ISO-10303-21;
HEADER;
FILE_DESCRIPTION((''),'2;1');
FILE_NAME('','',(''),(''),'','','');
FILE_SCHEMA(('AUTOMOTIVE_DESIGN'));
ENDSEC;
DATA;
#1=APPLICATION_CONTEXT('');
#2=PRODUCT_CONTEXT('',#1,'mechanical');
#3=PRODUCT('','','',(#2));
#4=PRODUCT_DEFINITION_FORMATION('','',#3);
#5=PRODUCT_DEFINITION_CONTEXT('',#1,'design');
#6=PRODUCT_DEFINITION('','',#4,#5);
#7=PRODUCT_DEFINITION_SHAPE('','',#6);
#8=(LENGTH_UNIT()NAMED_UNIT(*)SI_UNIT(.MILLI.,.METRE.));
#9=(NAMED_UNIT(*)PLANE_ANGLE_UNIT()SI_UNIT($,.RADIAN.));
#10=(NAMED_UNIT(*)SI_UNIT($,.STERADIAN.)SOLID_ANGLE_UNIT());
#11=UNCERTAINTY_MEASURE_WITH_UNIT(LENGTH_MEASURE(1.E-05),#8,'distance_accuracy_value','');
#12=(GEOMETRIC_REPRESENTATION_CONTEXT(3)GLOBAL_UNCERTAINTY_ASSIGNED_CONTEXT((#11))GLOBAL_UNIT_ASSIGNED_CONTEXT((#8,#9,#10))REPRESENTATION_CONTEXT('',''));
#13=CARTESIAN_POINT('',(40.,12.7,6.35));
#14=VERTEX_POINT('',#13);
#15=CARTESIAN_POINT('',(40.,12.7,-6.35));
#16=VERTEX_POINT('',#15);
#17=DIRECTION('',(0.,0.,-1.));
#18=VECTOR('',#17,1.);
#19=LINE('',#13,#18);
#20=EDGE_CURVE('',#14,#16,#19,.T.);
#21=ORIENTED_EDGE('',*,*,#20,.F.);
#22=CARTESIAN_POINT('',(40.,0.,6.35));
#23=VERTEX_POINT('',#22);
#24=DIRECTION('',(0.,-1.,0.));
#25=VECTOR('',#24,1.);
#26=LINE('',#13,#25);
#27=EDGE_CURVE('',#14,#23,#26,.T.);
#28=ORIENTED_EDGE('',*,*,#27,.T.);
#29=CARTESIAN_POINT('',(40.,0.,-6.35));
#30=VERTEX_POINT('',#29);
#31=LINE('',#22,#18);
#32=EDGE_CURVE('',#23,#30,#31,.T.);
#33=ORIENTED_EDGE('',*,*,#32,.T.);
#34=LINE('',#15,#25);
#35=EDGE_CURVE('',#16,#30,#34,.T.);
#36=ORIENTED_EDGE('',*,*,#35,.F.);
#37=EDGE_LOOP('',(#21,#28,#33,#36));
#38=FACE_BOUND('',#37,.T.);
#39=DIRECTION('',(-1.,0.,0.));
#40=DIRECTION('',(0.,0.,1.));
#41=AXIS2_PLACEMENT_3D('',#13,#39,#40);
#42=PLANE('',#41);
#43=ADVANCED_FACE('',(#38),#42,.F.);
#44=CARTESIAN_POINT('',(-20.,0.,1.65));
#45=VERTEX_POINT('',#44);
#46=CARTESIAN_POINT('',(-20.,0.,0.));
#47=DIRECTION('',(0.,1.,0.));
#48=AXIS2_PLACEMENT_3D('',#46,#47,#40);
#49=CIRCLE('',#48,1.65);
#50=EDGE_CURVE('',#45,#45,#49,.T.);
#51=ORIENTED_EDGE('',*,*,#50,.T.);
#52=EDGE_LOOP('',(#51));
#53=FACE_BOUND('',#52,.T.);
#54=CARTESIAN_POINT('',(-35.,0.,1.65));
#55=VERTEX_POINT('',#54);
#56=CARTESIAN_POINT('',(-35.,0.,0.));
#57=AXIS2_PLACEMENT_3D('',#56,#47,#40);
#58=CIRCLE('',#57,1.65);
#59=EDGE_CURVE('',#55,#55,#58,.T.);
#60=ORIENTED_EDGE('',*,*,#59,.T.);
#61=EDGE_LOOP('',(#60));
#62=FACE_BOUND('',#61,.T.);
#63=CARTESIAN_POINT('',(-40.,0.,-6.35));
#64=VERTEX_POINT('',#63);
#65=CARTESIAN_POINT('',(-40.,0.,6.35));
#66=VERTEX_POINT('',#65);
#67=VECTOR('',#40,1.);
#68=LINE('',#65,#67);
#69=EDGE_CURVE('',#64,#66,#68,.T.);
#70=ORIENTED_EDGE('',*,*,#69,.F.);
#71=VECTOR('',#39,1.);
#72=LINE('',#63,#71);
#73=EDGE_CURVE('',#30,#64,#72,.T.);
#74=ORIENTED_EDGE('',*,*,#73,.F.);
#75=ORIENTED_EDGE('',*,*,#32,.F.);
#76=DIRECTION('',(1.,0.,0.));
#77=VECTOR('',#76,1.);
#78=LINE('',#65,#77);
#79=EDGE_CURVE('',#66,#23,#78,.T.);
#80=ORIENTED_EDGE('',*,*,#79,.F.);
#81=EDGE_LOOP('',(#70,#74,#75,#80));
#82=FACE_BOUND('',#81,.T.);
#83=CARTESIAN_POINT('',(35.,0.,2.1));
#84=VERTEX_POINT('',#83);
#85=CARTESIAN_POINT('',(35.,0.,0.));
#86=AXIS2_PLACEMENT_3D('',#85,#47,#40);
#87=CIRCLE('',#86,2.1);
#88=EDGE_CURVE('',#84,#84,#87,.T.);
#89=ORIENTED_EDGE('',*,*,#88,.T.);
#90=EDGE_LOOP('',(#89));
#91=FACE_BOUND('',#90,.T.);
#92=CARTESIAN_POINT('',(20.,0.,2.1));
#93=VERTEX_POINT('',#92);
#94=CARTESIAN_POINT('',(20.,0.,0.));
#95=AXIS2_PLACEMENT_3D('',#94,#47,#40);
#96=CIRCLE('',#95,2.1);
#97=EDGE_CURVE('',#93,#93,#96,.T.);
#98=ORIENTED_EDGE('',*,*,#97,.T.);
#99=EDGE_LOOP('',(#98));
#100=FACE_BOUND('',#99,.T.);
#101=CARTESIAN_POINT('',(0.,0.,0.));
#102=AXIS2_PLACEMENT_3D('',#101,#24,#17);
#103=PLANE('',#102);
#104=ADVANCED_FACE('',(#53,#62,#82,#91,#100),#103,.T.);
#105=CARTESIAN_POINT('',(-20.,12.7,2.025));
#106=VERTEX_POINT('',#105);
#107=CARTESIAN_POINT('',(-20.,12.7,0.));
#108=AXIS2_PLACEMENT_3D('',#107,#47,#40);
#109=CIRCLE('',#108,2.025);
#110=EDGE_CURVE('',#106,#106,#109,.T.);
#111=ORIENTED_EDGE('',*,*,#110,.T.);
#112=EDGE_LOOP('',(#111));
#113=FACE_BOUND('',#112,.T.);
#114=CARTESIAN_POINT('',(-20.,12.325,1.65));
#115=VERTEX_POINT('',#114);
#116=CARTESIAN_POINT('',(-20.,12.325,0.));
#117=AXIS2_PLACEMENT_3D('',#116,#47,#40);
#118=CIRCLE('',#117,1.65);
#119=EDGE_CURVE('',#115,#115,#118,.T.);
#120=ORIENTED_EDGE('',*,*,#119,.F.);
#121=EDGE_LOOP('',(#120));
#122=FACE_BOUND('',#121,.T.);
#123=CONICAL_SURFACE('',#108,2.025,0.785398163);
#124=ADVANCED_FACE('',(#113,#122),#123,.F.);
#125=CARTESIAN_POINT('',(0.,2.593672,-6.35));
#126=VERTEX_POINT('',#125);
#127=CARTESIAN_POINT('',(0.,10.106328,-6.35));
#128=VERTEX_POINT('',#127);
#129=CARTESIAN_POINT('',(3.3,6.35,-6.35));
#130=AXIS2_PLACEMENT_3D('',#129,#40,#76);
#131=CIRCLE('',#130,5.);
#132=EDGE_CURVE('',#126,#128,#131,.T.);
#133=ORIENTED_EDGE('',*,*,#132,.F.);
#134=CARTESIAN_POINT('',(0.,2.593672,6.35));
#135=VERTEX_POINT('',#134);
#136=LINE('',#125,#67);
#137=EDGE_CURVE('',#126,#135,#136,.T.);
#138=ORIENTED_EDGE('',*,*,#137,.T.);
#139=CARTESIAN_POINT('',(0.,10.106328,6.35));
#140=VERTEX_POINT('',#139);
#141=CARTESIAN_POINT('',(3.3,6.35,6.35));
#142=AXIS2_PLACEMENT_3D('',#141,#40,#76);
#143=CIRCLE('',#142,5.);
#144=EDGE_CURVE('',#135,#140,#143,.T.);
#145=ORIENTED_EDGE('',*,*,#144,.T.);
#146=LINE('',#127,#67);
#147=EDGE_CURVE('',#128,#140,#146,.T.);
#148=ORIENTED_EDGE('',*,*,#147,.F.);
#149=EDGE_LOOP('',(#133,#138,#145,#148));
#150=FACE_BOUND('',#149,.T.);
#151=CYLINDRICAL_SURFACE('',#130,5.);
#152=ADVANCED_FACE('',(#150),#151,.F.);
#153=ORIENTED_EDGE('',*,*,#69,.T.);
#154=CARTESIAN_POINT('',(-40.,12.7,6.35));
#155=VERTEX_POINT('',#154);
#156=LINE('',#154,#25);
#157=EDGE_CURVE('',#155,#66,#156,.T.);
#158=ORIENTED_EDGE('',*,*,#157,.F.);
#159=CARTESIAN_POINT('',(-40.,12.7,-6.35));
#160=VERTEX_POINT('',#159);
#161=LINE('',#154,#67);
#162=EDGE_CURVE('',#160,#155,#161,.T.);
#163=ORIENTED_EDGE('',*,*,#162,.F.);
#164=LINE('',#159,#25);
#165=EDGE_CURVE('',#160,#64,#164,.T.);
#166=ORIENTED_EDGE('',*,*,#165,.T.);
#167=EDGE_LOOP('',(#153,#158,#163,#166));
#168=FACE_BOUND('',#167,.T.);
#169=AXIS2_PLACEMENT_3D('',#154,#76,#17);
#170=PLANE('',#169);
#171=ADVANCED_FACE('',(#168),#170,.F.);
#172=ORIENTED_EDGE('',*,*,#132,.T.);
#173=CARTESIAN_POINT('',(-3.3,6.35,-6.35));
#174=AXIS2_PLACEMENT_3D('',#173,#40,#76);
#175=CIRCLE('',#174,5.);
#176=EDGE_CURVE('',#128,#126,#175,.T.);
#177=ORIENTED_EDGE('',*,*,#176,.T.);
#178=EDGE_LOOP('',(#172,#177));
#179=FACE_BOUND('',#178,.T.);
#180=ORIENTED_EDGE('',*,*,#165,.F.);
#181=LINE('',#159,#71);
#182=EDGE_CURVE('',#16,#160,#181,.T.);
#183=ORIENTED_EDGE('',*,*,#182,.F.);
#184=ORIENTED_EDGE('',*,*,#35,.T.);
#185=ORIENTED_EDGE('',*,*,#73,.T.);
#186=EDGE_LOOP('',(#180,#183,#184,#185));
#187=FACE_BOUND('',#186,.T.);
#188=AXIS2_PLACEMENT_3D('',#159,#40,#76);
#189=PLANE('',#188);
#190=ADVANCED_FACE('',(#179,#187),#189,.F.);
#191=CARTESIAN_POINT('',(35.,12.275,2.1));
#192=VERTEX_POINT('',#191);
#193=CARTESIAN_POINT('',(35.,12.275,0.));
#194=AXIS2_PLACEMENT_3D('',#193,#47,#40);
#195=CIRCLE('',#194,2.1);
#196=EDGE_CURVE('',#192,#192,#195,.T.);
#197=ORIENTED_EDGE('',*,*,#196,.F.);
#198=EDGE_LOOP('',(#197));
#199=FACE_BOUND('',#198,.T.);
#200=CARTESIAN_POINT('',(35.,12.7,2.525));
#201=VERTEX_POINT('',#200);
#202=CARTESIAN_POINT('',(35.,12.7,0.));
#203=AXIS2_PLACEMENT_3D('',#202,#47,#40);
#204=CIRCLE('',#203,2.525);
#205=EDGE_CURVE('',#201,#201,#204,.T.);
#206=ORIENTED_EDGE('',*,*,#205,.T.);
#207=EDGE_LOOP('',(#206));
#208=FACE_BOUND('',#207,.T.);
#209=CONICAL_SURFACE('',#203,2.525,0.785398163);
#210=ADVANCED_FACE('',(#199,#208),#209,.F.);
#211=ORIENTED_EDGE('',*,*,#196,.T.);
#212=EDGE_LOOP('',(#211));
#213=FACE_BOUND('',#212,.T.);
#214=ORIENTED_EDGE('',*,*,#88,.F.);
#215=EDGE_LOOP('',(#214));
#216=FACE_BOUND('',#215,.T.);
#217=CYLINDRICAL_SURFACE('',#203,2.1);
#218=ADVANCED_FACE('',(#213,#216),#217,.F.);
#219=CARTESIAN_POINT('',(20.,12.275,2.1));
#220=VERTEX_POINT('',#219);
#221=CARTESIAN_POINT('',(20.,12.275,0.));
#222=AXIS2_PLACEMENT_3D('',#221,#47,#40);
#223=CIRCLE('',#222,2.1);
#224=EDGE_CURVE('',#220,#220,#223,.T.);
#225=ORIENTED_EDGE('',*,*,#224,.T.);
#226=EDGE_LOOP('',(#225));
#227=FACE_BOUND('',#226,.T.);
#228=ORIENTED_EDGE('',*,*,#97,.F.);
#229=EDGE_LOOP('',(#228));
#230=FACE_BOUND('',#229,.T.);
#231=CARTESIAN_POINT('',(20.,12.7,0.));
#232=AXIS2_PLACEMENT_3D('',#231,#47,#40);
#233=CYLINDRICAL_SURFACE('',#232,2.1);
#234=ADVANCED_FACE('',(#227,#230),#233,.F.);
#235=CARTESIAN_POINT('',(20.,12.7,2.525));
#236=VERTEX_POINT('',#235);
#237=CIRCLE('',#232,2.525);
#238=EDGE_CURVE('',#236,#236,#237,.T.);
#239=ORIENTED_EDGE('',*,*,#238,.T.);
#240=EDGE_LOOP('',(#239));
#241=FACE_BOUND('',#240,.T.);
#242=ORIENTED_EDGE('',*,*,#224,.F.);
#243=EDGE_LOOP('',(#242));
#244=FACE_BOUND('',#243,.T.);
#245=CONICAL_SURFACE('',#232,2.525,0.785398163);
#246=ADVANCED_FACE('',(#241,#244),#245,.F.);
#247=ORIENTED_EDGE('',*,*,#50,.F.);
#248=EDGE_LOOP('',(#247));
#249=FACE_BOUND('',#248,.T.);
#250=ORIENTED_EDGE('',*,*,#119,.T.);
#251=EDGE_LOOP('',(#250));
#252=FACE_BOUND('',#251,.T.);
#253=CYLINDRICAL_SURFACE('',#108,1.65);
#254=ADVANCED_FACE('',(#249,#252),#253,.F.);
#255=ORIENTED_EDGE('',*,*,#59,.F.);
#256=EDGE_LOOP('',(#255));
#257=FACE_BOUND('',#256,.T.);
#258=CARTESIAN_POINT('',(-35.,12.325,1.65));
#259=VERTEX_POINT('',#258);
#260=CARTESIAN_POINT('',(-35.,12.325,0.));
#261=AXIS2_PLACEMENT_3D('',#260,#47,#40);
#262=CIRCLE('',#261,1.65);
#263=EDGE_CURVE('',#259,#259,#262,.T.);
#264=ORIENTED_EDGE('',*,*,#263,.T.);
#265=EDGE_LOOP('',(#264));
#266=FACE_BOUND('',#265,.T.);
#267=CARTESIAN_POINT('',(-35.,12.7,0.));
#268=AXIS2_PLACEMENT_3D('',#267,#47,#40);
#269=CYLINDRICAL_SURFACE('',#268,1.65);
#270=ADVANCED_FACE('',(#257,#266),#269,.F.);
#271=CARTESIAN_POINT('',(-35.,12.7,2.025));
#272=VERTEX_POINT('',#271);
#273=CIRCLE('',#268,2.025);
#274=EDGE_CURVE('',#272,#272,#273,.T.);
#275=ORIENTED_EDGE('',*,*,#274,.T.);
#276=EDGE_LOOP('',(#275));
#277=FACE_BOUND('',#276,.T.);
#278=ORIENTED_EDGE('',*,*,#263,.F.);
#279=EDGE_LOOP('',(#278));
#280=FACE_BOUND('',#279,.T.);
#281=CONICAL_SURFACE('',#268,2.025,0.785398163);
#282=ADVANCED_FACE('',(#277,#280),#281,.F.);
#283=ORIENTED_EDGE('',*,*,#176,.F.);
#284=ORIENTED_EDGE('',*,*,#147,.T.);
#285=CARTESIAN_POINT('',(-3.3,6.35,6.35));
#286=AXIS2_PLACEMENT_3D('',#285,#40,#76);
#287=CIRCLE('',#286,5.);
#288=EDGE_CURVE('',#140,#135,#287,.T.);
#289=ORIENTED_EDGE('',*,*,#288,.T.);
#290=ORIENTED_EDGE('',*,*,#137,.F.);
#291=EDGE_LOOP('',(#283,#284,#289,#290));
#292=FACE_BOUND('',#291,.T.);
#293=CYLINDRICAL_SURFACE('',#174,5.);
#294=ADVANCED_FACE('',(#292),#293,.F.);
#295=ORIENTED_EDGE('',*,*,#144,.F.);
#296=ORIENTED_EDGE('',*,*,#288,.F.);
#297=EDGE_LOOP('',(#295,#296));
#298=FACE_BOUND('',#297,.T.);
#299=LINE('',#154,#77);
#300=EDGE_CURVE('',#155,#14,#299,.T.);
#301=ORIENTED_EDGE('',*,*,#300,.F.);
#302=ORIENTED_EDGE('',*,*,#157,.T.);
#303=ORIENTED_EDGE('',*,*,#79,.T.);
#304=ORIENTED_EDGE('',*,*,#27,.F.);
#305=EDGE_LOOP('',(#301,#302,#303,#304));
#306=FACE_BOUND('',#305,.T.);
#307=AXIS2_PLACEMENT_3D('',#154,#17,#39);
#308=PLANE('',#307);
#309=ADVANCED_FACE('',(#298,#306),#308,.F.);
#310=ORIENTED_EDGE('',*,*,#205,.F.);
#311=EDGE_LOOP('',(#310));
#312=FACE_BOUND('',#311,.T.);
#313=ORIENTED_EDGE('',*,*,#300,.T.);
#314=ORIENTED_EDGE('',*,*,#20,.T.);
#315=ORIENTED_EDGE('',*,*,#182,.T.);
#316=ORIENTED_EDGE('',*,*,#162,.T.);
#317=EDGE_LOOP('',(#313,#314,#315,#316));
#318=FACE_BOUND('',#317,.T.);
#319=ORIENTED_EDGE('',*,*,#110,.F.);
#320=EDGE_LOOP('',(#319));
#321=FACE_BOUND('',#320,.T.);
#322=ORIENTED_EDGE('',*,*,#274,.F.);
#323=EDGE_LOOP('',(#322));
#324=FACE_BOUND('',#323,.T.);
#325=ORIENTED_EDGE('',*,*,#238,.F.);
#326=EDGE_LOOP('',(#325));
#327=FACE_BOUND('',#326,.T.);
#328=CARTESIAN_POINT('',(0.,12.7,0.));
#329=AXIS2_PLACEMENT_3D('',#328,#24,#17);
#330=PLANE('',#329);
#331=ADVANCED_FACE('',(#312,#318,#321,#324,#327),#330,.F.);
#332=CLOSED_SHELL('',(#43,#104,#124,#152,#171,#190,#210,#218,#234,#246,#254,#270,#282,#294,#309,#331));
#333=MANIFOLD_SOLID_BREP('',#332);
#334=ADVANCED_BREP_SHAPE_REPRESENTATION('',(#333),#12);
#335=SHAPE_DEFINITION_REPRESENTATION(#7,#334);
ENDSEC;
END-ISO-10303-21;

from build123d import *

# Parameters (mm, degrees)
SKETCH1_W                   = 80
SKETCH1_H                   = 12.7
BOSS_EXTRUDE1_DEPTH         = 12.7
CUT_EXTRUDE1_DEPTH          = 44.847234804
M4_TAPPED_HOLE2_D           = 3.3
M4_TAPPED_HOLE2_CSINK_D     = 4.05
M4_TAPPED_HOLE2_CSINK_ANGLE = 90
M5_TAPPED_HOLE1_D           = 4.2
M5_TAPPED_HOLE1_CSINK_D     = 5.05
M5_TAPPED_HOLE1_CSINK_ANGLE = 90


with BuildPart() as part:
    # Sketch1 → Boss-Extrude1 (new body)
    with BuildSketch(Plane(origin=(0, 0, 0), x_dir=(1, 0, 0), z_dir=(0, 1, 0))):
        Rectangle(SKETCH1_W, SKETCH1_H)
    extrude(amount=BOSS_EXTRUDE1_DEPTH)

    # Sketch4 → Cut-Extrude1 (cut, through all)
    with BuildSketch(Plane.XY.offset(6.35)):
        with BuildLine():
            ThreePointArc((0, 2.593672006), (8.3, 6.35), (0, 10.106327994))
            ThreePointArc((0, 10.106327994), (-8.3, 6.35), (0, 2.593672006))
        make_face()
    extrude(amount=-CUT_EXTRUDE1_DEPTH, mode=Mode.SUBTRACT)

    # M4 Tapped Hole2 (through all)
    with Locations(Plane(origin=(0, 12.7, 0), x_dir=(1, 0, 0), z_dir=(0, 1, 0))):
        with Locations((-35, 0), (-20, 0)):
            CounterSinkHole(M4_TAPPED_HOLE2_D / 2, M4_TAPPED_HOLE2_CSINK_D / 2, counter_sink_angle=M4_TAPPED_HOLE2_CSINK_ANGLE)

    # M5 Tapped Hole1 (through all)
    with Locations(Plane(origin=(0, 12.7, 0), x_dir=(1, 0, 0), z_dir=(0, 1, 0))):
        with Locations((35, 0), (20, 0)):
            CounterSinkHole(M5_TAPPED_HOLE1_D / 2, M5_TAPPED_HOLE1_CSINK_D / 2, counter_sink_angle=M5_TAPPED_HOLE1_CSINK_ANGLE)


solid = part.part
